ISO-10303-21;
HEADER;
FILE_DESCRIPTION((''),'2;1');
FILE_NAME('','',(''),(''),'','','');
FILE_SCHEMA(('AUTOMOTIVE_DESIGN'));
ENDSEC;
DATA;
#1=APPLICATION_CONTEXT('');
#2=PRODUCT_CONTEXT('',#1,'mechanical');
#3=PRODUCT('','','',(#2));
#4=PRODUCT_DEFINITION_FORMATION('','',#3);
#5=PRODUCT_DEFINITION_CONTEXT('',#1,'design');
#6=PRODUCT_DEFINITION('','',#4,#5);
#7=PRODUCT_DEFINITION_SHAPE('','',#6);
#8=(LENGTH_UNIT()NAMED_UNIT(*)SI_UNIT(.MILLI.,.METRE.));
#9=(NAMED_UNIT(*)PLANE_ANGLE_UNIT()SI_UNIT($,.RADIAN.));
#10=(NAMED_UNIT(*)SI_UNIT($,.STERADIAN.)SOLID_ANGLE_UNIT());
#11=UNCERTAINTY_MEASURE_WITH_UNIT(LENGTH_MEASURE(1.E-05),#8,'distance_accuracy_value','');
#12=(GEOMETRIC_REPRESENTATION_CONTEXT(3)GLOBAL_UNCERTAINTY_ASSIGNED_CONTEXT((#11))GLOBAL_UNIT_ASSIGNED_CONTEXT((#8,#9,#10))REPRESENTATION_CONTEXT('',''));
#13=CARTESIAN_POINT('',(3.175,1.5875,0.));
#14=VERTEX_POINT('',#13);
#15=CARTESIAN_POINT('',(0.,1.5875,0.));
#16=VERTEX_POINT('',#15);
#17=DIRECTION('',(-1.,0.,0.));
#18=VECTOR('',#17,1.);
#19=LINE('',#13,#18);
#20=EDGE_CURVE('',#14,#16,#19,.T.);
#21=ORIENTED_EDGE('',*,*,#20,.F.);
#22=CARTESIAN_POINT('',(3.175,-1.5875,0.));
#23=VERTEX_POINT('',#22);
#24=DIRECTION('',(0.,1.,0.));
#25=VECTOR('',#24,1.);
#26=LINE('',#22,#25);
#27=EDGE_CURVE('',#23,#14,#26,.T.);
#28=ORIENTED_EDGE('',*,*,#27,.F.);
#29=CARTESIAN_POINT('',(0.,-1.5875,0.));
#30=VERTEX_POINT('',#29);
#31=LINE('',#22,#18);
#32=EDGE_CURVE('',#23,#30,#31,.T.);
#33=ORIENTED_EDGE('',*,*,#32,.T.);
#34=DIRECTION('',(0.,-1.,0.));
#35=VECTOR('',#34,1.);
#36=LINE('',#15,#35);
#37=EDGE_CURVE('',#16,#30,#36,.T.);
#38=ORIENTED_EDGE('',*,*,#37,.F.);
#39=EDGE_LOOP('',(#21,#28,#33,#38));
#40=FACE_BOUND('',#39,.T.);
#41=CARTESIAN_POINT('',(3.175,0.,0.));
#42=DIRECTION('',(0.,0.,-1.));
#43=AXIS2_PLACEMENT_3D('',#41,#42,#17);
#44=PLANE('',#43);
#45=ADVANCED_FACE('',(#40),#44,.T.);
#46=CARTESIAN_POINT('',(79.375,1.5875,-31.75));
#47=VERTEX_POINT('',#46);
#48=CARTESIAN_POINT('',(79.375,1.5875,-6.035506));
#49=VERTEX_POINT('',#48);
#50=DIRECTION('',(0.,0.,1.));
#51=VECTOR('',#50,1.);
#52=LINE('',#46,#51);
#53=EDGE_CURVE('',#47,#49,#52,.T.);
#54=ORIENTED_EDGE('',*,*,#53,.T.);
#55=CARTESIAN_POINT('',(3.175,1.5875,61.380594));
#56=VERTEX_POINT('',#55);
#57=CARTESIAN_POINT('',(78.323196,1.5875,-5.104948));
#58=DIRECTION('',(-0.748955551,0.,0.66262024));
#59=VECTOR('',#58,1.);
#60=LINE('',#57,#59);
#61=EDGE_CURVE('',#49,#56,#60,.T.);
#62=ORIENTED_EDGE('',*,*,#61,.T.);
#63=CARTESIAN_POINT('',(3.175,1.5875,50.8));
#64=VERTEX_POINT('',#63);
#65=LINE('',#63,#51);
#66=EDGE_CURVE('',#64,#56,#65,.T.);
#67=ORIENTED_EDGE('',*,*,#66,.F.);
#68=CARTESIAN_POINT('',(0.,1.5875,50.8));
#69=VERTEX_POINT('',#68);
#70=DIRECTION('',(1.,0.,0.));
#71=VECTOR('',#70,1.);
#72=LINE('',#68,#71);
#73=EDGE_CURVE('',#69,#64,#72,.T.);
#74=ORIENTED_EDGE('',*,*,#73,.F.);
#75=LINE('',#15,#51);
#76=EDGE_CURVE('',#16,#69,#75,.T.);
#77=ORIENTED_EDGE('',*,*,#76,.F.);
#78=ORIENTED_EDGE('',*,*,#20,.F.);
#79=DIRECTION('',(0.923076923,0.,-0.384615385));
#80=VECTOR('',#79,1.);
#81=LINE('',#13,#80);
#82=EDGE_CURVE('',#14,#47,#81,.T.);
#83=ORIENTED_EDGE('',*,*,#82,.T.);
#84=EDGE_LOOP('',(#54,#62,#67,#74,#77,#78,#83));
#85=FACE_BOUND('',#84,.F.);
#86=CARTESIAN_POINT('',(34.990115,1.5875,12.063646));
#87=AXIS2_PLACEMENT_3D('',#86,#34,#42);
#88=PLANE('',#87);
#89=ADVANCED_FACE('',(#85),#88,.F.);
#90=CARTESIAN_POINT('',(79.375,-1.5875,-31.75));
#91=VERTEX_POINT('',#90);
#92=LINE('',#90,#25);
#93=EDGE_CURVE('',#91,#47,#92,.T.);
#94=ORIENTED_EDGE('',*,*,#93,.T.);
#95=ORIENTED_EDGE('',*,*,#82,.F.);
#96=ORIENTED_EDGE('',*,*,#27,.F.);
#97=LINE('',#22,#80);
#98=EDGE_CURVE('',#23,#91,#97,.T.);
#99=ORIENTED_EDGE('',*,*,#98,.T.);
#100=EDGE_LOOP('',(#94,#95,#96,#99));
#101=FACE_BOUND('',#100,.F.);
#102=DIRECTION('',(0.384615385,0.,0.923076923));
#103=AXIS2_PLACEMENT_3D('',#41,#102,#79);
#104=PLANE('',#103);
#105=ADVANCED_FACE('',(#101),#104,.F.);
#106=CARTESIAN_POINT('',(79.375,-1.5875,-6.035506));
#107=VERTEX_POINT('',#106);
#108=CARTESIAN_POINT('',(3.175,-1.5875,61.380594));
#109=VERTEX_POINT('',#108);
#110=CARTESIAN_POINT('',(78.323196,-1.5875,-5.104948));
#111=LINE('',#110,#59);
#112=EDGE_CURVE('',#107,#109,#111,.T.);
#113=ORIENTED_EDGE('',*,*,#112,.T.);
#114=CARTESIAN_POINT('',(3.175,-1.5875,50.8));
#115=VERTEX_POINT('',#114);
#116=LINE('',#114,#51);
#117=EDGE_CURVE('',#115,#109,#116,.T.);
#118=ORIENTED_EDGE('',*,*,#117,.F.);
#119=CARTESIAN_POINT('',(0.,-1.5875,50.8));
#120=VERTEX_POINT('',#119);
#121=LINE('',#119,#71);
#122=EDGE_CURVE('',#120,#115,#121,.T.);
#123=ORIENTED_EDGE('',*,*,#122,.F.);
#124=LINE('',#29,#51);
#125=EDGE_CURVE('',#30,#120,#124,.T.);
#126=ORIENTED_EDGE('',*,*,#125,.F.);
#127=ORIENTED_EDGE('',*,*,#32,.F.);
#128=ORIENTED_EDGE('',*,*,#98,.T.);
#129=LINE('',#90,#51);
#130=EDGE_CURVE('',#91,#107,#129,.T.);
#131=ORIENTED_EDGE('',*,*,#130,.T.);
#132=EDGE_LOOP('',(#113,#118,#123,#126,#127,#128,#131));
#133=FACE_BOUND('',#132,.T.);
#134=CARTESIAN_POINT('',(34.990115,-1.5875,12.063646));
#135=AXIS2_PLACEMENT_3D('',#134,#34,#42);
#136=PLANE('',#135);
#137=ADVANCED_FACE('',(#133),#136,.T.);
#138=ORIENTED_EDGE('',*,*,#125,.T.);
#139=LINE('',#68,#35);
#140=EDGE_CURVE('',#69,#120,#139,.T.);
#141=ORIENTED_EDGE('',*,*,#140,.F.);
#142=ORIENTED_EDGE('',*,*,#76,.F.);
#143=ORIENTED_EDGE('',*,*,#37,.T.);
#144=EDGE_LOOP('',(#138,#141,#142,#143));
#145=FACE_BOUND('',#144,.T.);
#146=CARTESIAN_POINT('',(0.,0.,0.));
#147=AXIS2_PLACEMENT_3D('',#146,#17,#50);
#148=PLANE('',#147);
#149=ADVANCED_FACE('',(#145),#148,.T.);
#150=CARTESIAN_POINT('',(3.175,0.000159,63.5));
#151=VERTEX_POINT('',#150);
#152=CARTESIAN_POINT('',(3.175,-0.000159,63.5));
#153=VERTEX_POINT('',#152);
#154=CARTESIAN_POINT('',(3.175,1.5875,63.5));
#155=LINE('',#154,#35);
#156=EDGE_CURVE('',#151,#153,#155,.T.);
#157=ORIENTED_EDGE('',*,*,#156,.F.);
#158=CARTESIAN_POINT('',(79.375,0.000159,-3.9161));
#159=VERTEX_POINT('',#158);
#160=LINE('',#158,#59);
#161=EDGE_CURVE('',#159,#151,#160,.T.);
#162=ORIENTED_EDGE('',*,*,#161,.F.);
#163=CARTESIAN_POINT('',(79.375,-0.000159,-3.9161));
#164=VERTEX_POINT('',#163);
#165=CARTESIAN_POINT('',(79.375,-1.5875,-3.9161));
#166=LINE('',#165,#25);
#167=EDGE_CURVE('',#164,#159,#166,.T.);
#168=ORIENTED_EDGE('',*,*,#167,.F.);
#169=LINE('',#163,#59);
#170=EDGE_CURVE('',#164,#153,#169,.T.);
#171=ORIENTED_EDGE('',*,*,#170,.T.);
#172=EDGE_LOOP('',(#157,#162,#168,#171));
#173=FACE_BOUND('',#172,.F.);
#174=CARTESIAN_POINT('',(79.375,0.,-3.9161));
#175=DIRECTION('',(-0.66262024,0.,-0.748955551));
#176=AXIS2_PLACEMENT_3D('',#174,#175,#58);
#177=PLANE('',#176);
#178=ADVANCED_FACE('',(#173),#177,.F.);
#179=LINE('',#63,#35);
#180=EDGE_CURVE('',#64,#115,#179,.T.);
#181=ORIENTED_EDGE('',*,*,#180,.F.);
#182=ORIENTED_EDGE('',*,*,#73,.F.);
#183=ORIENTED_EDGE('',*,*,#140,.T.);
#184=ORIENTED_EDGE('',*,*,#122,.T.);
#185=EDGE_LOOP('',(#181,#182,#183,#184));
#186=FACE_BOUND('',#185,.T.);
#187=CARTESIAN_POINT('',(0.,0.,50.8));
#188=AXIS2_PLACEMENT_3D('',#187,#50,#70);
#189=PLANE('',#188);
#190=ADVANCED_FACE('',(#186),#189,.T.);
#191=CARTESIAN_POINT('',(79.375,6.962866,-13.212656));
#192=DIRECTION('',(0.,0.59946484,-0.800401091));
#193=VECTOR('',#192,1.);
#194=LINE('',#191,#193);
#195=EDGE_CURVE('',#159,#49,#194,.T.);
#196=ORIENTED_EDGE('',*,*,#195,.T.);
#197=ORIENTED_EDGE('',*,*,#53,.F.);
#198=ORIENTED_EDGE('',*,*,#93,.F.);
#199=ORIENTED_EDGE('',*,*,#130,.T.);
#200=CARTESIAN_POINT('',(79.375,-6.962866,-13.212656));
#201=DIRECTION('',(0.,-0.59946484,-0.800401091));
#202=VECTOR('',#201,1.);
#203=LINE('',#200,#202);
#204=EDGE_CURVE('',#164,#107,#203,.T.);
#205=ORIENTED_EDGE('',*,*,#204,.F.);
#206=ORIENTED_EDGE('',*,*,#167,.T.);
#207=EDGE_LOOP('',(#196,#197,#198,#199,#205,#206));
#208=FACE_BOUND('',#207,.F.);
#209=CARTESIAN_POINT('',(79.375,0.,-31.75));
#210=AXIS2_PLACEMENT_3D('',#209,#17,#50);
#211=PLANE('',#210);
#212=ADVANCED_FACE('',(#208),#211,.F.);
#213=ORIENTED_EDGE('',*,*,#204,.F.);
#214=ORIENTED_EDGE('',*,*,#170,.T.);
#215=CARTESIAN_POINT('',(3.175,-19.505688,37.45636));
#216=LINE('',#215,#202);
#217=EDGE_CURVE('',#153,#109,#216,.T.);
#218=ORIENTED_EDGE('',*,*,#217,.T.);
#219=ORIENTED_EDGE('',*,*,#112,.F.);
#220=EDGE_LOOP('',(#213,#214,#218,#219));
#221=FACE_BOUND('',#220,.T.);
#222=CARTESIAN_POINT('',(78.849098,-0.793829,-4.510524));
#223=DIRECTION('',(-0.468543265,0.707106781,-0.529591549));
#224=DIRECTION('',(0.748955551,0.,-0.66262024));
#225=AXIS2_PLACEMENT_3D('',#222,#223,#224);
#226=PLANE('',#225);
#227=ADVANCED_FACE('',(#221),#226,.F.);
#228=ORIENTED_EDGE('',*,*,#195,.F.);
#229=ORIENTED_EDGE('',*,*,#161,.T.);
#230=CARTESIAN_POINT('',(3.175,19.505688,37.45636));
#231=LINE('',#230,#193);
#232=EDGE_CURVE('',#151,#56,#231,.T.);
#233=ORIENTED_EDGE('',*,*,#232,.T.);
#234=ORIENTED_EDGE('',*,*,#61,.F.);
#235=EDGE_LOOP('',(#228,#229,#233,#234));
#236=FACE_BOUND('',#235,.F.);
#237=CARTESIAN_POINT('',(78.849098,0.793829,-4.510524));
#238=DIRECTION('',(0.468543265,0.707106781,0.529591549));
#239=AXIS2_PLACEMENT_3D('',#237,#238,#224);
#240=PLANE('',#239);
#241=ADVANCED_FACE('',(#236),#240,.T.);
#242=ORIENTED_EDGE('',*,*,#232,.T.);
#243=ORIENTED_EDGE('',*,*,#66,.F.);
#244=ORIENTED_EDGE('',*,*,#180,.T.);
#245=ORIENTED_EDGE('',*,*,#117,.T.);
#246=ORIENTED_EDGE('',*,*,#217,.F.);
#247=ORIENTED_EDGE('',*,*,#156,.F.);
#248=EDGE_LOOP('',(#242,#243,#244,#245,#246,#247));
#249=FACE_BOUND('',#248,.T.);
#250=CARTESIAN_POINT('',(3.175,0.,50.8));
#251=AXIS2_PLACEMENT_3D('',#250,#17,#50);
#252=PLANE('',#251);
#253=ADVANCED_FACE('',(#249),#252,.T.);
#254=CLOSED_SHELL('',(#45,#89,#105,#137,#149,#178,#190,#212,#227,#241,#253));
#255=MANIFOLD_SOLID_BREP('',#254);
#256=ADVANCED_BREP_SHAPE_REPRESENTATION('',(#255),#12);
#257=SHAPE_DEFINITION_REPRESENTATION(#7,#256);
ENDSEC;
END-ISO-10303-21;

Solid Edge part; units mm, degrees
sketch "Sketch1" plane through (0, 0, 0) normal (0, -1, 0) x (1, 0, 0)
  line L0 (79.375, -3.9161) -> (3.175, 63.5)
  line L1 (3.175, 50.8) -> (3.175, 63.5)
  line L2 (0, 50.8) -> (3.175, 50.8)
  line L3 (0, 0) -> (0, 50.8)
  line L4 (3.175, 0) -> (0, 0)
  line L5 (3.175, 0) -> (79.375, -31.75)
  line L6 (79.375, -31.75) -> (79.375, -3.9161)
extrude "Protrusion1" add sketch "Sketch1" along normal mid plane 3.175
chamfer "Chamfer_1" distance 1.5875 angle 45 2 edges at (41.275, -1.5875, 29.792) (41.275, 1.5875, 29.792)
